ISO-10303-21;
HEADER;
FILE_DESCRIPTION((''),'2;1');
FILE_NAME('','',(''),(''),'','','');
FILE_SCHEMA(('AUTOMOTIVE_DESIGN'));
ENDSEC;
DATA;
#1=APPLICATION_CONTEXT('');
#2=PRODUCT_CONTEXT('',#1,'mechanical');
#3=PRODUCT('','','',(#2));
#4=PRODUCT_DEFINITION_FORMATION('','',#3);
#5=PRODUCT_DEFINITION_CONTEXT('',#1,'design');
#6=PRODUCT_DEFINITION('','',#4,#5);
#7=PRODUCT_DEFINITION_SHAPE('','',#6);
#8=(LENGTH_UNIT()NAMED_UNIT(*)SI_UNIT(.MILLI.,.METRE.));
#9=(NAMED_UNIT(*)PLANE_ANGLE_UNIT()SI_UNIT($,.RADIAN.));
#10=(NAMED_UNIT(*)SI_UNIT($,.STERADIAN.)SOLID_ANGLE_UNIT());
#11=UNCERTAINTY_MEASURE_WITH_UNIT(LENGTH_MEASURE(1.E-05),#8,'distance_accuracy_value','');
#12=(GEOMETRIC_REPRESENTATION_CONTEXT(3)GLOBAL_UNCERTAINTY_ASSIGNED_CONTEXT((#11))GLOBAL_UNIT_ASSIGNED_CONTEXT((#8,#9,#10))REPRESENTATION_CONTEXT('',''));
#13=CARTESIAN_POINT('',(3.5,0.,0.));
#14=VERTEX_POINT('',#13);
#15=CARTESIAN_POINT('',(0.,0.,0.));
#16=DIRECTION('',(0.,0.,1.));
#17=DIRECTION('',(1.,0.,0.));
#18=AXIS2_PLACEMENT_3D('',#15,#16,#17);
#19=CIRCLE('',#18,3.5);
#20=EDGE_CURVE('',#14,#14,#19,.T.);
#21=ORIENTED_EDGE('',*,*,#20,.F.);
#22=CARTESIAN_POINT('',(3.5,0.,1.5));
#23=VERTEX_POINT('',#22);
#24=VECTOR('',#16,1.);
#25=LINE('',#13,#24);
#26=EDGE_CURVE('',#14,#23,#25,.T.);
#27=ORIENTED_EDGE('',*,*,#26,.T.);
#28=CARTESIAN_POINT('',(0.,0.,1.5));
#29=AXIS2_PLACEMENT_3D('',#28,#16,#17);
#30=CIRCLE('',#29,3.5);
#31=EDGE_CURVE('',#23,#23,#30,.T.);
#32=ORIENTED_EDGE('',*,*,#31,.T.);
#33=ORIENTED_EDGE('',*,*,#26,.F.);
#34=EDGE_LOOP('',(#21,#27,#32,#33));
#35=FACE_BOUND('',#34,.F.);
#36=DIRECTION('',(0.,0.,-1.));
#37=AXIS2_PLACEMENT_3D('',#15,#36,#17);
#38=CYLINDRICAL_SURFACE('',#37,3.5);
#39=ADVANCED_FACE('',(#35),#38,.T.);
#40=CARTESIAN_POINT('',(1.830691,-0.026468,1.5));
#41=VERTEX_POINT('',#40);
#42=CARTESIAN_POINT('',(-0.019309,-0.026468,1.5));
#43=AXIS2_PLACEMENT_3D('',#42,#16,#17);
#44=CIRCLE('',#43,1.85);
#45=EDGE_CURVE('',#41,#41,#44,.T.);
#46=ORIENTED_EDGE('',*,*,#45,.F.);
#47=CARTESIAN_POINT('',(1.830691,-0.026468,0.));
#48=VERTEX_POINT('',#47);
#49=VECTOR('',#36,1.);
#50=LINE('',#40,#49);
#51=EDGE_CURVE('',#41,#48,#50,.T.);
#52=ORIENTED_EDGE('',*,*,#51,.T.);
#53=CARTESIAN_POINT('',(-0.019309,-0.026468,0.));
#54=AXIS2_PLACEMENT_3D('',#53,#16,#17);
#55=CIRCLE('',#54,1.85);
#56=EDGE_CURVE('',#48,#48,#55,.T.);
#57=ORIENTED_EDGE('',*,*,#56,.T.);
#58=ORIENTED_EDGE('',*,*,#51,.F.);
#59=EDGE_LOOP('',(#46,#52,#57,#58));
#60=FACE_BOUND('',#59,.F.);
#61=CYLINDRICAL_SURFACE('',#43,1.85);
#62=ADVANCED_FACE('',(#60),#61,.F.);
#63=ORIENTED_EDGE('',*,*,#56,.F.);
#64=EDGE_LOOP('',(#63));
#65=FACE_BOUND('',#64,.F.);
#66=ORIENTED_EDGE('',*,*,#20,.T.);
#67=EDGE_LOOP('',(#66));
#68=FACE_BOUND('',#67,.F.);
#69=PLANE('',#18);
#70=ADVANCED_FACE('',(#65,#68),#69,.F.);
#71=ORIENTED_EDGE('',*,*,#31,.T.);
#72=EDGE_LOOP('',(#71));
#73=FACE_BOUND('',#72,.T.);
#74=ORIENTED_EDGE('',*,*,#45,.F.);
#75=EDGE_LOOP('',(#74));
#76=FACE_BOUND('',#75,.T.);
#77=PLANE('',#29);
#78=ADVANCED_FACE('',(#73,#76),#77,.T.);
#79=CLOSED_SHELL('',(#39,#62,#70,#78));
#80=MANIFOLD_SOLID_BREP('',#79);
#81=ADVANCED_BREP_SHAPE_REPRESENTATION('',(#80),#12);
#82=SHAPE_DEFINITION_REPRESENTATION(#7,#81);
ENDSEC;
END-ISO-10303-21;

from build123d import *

# Parameters (mm, degrees)
SKETCH_R     = 3.5
PAD_DEPTH    = 1.5
SKETCH001_R  = 1.85
POCKET_DEPTH = 5


with BuildPart() as part:
    # Sketch → Pad (new body)
    with BuildSketch(Plane.XY):
        Circle(SKETCH_R)
    extrude(amount=PAD_DEPTH)

    # Sketch001 (on Face3 of Pad) → Pocket (cut)
    with BuildSketch(Plane.XY.offset(1.5)):
        with Locations((-0.019309, -0.026468)):
            Circle(SKETCH001_R)
    extrude(amount=-POCKET_DEPTH, mode=Mode.SUBTRACT)


solid = part.part
